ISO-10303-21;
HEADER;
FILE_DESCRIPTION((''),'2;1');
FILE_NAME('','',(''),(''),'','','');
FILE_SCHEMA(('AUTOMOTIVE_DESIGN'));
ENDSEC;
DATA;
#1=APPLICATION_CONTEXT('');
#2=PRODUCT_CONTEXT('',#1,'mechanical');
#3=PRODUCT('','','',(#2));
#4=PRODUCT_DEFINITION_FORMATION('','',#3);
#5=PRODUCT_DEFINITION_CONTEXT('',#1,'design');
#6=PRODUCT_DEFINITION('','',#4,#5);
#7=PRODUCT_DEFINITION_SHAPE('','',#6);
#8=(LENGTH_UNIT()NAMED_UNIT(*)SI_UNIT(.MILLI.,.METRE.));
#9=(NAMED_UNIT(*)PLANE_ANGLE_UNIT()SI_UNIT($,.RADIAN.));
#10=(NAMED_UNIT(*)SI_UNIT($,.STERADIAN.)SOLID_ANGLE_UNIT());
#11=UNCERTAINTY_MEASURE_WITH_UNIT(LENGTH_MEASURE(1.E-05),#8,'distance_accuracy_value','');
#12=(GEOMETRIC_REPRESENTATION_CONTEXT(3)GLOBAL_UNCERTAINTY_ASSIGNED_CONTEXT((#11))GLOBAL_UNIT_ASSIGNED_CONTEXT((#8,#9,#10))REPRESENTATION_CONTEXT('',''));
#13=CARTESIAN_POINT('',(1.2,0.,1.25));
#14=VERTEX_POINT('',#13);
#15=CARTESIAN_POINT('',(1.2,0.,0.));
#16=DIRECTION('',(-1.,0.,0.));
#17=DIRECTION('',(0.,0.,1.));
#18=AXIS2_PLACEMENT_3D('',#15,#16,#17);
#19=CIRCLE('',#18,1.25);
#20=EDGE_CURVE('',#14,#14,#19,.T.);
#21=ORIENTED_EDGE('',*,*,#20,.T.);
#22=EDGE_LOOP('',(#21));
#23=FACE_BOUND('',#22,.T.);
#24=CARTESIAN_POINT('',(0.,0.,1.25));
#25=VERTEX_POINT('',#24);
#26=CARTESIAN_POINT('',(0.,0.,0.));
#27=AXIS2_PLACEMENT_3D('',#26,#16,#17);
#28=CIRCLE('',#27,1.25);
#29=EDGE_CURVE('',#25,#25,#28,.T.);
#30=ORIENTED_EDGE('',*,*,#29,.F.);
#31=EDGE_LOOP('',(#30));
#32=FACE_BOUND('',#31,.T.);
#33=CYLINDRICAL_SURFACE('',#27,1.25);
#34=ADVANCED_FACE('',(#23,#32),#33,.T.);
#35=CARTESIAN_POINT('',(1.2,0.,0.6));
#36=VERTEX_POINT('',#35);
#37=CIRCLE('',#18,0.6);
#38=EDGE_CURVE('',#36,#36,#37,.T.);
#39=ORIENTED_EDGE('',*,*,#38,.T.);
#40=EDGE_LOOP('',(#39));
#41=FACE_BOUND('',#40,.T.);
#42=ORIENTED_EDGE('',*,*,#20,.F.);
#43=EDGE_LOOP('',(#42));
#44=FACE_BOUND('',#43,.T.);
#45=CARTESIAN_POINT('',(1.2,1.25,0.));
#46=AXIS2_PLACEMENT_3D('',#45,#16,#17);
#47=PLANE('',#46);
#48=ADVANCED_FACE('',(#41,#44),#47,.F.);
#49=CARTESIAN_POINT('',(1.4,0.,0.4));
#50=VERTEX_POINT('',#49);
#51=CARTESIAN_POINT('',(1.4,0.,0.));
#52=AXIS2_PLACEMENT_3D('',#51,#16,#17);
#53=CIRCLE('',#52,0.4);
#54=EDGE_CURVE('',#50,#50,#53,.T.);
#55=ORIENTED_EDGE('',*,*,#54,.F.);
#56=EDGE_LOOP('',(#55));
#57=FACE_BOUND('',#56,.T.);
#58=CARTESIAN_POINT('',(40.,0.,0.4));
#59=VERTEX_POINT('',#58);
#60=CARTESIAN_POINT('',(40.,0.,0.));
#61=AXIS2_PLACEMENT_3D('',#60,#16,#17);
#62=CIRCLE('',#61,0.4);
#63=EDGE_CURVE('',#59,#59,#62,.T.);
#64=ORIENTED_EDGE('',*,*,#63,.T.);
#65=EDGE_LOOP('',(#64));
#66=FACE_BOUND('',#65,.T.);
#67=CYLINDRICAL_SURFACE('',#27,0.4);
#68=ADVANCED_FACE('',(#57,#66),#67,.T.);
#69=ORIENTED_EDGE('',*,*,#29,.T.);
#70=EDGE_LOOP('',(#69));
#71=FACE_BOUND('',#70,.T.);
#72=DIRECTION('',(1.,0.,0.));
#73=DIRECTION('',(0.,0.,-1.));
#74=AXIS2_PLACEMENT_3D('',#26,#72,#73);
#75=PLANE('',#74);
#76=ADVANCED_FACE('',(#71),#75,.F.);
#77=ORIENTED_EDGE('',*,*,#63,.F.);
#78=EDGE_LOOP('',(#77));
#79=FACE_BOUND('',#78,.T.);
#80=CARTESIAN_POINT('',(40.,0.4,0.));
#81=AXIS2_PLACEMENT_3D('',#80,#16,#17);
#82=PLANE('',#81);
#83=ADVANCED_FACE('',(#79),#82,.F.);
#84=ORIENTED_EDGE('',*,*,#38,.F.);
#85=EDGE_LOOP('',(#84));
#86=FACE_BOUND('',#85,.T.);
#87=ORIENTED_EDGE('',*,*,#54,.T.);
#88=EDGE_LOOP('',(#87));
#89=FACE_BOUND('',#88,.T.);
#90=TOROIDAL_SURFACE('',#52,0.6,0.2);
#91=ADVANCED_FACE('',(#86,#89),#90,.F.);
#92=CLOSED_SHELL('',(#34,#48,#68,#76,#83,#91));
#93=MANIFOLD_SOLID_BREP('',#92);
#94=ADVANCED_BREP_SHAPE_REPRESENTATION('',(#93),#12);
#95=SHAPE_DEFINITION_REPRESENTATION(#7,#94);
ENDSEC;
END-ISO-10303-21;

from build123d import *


with BuildPart() as part:
    # Skizze1 → Rotation1 (revolve)
    with BuildSketch(Plane.XY, mode=Mode.PRIVATE) as rotation1_sk:
        with BuildLine():
            Line((0, 0), (0, 1.25))
            Line((0, 1.25), (1.2, 1.25))
            Line((1.2, 1.25), (1.2, 0.6))
            ThreePointArc((1.2, 0.6), (1.258578644, 0.458578644), (1.4, 0.4))
            Line((1.4, 0.4), (40, 0.4))
            Line((40, 0.4), (40, 0))
            Line((40, 0), (0, 0))
        make_face()
    revolve(rotation1_sk.sketch.rotate(Axis((0, 0, 0), (1, 0, 0)), 90), axis=Axis((0, 0, 0), (1, 0, 0)))  # turned: the seam where the file's is


solid = part.part
